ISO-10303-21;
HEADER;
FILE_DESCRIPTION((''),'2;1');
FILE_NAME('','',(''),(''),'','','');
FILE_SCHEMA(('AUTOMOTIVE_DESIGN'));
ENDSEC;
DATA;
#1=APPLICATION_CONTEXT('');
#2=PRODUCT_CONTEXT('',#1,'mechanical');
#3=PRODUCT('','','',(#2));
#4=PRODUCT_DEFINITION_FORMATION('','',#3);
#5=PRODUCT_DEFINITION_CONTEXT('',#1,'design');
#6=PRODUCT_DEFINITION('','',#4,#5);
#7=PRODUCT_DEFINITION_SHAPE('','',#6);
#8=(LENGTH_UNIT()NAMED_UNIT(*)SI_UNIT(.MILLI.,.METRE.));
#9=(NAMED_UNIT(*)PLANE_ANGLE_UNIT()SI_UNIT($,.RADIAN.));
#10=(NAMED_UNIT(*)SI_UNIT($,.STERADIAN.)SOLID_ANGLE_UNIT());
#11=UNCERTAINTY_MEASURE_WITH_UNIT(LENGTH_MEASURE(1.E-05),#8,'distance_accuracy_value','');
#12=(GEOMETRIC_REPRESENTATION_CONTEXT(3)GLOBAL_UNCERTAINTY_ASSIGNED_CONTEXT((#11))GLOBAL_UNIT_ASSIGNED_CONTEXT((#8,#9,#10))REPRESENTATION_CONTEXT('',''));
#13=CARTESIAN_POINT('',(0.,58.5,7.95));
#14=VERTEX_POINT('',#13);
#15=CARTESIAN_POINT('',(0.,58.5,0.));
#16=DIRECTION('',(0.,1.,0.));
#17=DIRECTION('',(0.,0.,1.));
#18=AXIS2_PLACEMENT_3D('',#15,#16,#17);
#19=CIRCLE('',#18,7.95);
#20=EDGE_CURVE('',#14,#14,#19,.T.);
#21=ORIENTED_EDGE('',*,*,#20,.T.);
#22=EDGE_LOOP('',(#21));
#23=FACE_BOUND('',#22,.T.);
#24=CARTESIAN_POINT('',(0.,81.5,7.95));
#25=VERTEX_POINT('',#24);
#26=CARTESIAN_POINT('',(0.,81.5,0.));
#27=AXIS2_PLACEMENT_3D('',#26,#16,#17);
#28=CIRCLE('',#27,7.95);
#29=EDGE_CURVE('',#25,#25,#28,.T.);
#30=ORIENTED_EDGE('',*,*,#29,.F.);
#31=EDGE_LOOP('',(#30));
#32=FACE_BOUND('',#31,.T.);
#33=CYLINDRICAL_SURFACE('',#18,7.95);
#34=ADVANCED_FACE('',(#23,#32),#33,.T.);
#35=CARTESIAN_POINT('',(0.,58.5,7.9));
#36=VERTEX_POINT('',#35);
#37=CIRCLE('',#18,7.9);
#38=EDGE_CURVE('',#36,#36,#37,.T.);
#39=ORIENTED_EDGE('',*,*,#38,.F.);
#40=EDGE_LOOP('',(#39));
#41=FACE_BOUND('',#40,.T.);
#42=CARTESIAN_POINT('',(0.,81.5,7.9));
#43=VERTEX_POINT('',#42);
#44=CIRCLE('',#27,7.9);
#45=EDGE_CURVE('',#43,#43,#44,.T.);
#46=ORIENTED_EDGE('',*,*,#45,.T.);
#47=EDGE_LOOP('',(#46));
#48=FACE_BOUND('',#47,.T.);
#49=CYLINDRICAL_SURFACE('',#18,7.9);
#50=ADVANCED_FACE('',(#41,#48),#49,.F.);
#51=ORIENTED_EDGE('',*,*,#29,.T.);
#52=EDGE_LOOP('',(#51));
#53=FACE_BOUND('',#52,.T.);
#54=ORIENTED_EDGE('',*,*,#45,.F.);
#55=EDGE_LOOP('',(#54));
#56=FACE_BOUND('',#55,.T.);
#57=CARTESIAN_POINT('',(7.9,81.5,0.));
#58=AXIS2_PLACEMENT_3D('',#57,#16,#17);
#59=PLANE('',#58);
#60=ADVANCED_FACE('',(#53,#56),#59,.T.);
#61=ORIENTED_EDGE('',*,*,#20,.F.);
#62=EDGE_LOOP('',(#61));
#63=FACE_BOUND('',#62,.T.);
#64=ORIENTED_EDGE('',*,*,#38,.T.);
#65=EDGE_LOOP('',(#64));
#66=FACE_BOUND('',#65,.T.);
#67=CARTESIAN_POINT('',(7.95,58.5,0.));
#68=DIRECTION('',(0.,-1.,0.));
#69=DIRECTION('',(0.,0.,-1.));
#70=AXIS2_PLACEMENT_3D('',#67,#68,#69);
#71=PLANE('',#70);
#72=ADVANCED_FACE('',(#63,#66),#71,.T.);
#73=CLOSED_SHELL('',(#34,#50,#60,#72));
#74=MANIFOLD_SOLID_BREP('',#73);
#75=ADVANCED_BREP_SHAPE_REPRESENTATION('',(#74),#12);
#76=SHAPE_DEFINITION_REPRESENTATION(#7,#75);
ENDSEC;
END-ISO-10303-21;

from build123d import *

# Parameters (mm, degrees)
SKETCH1_W = 0.05
SKETCH1_H = 23


with BuildPart() as part:
    # Sketch1 → Revolve1 (revolve)
    with BuildSketch(Plane(origin=(0, 0, 0), x_dir=(-1, 0, 0), z_dir=(0, 0, -1)), mode=Mode.PRIVATE) as revolve1_sk:
        with Locations((-7.925, 70)):
            Rectangle(SKETCH1_W, SKETCH1_H)
    revolve(revolve1_sk.sketch.rotate(Axis((0, 58.5, 0), (0, 1, 0)), 270), axis=Axis((0, 58.5, 0), (0, 1, 0)))


solid = part.part
